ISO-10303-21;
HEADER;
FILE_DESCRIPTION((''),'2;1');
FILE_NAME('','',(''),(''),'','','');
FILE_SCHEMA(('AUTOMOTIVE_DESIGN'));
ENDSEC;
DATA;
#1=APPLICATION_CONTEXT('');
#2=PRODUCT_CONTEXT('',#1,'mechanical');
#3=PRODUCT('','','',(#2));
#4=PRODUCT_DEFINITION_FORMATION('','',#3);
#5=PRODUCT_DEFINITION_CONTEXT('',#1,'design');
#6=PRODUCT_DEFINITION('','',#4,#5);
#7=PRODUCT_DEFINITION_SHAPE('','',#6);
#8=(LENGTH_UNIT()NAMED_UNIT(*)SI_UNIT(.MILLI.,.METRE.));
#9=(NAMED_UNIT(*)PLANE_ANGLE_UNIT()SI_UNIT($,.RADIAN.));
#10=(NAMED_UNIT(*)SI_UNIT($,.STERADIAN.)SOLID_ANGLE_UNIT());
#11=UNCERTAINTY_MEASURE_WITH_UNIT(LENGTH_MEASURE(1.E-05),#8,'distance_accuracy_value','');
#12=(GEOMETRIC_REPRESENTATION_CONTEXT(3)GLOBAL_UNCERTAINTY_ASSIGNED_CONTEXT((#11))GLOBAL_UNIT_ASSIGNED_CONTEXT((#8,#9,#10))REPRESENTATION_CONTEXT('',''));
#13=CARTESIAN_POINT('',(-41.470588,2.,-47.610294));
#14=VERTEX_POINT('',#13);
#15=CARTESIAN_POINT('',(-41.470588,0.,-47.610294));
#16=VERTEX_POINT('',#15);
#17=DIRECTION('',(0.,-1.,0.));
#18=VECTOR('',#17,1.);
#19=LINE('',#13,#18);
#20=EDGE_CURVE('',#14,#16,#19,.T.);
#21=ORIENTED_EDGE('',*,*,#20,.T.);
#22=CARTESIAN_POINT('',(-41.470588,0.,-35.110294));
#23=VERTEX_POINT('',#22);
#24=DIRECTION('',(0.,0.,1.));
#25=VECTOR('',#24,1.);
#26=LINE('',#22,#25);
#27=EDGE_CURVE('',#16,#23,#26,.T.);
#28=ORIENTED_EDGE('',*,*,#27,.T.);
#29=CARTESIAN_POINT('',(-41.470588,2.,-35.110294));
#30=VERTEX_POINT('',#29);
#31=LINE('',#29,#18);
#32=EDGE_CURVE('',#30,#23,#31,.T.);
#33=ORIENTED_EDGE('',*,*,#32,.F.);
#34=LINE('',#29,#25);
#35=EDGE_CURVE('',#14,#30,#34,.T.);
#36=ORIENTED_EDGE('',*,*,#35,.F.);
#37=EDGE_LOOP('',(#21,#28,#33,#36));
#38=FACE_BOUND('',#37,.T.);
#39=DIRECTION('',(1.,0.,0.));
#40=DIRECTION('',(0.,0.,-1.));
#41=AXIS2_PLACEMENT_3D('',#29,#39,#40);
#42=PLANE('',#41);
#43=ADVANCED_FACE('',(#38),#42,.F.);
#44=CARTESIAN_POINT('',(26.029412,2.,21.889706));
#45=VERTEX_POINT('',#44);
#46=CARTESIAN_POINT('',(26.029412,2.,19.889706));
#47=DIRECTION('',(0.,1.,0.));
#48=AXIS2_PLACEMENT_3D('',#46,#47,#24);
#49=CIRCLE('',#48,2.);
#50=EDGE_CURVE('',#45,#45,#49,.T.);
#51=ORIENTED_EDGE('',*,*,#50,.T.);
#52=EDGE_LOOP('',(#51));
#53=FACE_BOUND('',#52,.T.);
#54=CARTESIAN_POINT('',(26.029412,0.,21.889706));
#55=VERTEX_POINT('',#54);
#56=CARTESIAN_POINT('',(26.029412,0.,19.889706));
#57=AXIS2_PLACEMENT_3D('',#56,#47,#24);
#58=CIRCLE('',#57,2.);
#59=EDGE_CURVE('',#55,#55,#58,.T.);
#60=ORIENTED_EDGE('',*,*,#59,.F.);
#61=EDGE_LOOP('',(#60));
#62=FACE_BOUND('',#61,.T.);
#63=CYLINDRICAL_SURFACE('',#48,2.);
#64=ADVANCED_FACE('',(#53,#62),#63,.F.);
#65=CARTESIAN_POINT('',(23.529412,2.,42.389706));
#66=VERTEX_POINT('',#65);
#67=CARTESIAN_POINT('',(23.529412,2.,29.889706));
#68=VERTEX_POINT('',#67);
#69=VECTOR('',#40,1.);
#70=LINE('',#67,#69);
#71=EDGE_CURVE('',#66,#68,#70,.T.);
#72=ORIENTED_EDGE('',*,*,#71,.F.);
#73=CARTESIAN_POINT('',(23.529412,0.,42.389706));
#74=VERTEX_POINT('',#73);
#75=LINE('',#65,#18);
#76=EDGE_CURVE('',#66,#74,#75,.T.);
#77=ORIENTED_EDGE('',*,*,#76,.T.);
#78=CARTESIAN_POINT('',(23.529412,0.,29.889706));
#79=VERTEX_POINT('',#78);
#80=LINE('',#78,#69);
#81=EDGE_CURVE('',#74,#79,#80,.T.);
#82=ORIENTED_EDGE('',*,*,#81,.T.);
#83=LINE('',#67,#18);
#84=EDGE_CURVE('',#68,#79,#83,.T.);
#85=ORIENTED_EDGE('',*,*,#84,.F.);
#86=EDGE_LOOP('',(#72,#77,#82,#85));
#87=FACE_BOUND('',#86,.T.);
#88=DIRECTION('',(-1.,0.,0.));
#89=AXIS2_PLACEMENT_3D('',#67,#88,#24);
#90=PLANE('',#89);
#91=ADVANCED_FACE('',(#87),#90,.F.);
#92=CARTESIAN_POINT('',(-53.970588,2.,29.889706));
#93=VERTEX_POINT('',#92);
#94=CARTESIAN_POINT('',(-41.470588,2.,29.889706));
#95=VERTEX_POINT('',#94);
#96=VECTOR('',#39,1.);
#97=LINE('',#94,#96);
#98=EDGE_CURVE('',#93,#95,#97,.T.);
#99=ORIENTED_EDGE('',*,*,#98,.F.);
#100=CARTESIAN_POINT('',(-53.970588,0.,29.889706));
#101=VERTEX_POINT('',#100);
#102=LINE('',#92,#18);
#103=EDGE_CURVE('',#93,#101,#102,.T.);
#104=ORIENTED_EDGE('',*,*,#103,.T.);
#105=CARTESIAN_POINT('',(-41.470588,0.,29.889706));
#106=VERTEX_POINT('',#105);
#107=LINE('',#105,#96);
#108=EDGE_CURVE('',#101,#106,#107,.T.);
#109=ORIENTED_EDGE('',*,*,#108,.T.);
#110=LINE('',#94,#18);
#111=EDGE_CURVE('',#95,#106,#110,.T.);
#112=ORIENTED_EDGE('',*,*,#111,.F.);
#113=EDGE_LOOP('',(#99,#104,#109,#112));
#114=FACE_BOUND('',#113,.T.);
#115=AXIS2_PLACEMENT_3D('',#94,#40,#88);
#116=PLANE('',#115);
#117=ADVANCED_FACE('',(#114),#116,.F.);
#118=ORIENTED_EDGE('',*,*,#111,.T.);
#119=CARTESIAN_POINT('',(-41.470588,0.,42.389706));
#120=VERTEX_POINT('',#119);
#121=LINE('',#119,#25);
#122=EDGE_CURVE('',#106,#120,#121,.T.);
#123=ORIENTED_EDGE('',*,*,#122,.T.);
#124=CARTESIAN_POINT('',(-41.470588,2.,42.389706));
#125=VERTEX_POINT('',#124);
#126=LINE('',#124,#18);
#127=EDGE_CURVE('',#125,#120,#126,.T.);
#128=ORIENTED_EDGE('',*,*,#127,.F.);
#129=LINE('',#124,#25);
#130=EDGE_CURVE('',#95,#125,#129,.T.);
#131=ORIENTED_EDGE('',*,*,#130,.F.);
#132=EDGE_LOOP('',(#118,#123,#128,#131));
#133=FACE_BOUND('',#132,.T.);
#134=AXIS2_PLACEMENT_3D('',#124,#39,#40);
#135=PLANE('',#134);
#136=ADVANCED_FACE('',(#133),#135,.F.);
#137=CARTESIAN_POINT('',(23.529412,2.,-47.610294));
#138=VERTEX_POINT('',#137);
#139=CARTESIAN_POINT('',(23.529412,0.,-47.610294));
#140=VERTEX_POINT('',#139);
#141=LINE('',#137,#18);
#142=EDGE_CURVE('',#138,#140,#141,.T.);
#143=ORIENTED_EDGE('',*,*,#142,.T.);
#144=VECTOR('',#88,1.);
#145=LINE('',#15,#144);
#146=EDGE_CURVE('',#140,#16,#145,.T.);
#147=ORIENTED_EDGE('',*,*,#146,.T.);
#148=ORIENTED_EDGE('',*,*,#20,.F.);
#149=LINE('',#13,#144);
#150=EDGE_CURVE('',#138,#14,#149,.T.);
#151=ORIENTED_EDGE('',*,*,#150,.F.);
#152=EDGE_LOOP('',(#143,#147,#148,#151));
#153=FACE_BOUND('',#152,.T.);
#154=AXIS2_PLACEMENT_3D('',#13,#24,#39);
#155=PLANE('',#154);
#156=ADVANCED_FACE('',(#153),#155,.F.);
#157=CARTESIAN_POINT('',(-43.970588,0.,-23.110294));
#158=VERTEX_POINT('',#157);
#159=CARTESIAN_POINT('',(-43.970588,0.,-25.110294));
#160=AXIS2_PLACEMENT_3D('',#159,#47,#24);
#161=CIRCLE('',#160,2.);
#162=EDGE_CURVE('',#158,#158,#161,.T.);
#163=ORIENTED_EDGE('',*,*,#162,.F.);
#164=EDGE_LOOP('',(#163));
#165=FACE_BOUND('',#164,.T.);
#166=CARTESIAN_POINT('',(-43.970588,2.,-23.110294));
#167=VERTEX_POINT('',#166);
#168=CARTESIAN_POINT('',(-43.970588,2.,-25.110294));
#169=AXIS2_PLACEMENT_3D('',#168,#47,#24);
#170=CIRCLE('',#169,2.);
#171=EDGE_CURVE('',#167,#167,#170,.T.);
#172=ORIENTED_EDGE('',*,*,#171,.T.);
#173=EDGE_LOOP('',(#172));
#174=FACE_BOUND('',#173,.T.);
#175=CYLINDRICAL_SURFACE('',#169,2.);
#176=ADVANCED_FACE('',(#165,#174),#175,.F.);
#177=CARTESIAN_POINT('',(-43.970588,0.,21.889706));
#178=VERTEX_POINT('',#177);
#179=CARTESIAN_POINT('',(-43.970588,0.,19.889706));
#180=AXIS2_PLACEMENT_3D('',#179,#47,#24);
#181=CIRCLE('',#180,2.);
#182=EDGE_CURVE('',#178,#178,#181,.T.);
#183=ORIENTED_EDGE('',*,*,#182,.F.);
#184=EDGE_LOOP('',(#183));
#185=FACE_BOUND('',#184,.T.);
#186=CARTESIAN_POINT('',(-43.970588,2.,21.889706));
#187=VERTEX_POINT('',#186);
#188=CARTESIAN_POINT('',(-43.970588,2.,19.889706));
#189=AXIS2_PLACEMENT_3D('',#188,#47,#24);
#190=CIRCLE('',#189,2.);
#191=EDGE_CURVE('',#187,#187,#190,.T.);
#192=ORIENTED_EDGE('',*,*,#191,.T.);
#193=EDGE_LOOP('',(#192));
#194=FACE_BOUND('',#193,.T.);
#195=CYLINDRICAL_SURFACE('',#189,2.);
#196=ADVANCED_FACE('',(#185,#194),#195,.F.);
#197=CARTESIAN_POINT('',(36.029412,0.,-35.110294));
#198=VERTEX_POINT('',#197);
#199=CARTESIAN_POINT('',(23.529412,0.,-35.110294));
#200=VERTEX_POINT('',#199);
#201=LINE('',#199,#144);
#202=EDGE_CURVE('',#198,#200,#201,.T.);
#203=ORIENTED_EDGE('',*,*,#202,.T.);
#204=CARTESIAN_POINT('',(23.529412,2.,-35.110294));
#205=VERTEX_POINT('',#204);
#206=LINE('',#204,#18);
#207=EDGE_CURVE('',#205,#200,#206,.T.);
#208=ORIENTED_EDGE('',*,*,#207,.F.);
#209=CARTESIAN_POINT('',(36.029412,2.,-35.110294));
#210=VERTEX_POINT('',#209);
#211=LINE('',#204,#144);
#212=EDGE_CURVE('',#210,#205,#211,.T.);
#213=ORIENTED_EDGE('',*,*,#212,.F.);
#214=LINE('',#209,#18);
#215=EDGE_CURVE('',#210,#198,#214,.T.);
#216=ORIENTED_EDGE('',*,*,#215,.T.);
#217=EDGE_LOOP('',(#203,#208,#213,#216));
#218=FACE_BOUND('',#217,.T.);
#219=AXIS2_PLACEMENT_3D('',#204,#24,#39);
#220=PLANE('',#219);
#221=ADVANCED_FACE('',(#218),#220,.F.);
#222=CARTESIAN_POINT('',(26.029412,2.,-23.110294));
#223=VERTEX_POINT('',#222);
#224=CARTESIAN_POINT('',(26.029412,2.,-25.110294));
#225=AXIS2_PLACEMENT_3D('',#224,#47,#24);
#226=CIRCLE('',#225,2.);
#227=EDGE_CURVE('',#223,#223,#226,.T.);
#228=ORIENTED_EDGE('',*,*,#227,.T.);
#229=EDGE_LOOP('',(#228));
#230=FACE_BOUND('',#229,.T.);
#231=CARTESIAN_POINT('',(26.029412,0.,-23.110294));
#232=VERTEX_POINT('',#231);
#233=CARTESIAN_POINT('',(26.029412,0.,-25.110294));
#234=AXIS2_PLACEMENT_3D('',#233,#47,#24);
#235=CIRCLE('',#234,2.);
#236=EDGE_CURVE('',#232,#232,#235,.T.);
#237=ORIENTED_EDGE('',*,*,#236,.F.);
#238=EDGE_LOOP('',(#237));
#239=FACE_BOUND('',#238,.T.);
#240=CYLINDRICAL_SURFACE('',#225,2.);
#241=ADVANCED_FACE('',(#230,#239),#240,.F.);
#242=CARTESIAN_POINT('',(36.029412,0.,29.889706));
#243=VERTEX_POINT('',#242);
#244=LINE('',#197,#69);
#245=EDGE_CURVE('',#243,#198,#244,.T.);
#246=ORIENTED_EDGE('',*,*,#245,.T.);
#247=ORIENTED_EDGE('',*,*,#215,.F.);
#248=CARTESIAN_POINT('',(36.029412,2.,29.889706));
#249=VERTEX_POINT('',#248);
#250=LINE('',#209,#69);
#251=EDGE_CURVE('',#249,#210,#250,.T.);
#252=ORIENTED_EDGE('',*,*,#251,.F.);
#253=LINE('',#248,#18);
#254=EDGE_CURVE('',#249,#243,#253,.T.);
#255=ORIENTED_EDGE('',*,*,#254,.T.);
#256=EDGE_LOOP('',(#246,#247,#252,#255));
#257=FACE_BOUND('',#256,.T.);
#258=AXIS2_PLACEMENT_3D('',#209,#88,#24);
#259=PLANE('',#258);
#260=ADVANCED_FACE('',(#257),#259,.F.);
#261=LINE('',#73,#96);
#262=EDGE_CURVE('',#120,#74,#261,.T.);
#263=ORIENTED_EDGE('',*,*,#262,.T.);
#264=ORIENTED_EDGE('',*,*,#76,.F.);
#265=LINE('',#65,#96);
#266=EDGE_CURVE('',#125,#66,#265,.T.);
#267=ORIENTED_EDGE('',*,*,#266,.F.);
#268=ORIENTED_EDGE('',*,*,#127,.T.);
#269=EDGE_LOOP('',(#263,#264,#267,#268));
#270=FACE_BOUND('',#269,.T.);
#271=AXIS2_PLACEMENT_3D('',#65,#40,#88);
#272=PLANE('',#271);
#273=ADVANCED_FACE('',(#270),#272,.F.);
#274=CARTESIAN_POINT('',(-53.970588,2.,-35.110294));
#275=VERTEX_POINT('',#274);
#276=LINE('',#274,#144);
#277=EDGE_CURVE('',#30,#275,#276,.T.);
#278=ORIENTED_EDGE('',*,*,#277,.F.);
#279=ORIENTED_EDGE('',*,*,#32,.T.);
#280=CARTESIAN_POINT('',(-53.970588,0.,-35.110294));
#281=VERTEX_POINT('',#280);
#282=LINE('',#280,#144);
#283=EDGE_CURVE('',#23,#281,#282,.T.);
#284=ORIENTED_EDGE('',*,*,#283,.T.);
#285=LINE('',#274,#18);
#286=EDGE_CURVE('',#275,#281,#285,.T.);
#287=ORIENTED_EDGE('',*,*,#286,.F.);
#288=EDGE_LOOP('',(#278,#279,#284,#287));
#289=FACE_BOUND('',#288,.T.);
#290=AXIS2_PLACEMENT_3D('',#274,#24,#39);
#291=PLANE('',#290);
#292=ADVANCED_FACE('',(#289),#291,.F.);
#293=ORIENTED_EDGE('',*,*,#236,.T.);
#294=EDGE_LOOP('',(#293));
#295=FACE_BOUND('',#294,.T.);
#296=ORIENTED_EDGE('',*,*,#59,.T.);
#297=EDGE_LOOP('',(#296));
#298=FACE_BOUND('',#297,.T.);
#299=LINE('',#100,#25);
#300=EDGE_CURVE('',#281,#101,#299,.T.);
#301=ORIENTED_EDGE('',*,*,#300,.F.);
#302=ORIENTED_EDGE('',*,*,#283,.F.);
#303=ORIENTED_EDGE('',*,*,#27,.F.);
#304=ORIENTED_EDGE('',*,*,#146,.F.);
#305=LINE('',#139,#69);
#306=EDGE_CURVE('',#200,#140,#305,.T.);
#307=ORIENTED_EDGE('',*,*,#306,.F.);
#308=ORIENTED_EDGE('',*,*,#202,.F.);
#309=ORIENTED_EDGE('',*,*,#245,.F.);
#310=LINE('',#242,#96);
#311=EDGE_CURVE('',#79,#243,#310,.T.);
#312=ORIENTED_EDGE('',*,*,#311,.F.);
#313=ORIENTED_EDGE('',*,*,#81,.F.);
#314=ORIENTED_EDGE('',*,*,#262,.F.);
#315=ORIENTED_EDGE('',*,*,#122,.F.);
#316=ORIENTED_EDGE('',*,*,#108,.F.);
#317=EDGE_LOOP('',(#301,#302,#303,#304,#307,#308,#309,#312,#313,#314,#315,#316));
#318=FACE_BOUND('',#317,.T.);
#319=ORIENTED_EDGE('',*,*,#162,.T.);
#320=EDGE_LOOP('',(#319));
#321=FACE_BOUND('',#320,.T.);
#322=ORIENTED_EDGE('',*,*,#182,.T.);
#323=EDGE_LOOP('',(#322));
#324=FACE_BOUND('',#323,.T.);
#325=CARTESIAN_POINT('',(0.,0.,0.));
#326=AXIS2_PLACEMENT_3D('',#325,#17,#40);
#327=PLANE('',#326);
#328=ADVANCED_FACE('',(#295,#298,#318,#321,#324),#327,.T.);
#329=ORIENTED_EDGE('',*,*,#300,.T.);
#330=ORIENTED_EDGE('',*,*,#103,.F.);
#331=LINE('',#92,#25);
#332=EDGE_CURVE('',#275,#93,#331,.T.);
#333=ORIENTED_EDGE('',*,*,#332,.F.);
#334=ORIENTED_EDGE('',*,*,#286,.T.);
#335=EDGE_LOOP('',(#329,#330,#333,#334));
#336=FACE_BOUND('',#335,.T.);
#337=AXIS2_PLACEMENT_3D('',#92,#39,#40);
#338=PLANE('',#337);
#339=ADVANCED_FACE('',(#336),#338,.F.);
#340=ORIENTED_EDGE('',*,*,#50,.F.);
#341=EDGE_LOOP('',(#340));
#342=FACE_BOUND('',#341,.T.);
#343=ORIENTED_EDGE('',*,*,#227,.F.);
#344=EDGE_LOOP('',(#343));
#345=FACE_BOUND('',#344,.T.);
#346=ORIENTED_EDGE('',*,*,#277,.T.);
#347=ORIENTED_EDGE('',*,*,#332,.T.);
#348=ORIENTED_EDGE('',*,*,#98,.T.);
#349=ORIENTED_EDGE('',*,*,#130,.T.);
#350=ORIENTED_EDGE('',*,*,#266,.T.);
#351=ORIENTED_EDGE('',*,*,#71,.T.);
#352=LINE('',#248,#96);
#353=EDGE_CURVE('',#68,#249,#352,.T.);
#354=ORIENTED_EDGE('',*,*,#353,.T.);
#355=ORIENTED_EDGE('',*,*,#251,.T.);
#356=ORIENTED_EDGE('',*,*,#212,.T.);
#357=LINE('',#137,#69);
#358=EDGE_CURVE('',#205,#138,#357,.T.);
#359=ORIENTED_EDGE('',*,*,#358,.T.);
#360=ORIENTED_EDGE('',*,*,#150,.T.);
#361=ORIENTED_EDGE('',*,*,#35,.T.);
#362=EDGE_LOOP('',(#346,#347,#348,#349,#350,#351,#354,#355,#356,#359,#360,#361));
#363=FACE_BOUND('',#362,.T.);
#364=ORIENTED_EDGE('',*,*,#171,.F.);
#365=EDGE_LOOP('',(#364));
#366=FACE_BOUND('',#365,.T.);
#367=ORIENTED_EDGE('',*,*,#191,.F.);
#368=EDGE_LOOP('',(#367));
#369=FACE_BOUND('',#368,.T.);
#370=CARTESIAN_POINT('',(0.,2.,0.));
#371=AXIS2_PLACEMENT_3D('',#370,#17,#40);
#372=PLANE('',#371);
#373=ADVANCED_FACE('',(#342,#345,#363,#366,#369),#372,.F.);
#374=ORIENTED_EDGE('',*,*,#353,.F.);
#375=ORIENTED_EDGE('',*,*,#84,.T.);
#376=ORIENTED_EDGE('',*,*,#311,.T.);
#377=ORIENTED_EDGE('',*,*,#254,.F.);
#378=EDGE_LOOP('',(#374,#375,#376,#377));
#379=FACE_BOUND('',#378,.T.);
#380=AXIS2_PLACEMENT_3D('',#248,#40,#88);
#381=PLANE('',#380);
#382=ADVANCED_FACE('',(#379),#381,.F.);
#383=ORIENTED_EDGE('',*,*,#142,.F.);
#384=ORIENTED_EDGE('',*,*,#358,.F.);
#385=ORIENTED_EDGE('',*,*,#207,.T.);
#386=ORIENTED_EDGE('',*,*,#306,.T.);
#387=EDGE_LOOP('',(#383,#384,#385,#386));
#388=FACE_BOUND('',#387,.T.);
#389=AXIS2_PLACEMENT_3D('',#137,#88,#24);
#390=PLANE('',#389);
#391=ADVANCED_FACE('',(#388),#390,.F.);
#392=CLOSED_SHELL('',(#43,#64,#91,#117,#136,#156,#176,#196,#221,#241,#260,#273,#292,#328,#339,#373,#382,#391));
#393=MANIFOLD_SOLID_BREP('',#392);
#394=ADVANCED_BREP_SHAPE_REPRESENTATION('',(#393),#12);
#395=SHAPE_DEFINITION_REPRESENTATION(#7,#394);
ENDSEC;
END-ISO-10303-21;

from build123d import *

# Parameters (mm, degrees)
BOSS_EXTRUDE1_DEPTH   = 2
F_4_0MM_DOWEL_HOLE1_D = 4


with BuildPart() as part:
    # Sketch1 → Boss-Extrude1 (new body)
    with BuildSketch(Plane(origin=(0, 0, 0), x_dir=(1, 0, 0), z_dir=(0, 1, 0))):
        Polygon((-53.970588235, 35.110294118), (-41.470588235, 35.110294118), (-41.470588235, 47.610294118), (23.529411765, 47.610294118), (23.529411765, 35.110294118), (36.029411765, 35.110294118), (36.029411765, -29.889705882), (23.529411765, -29.889705882), (23.529411765, -42.389705882), (-41.470588235, -42.389705882), (-41.470588235, -29.889705882), (-53.970588235, -29.889705882), align=None)
    extrude(amount=BOSS_EXTRUDE1_DEPTH)

    # Ø4.0mm Dowel Hole1 (through all)
    with Locations(Plane(origin=(0, 2, 0), x_dir=(1, 0, 0), z_dir=(0, 1, 0))):
        with Locations((-43.970588235, 25.110294118), (26.029411765, 25.110294118), (-43.970588235, -19.889705882), (26.029411765, -19.889705882)):
            Hole(F_4_0MM_DOWEL_HOLE1_D / 2)


solid = part.part
